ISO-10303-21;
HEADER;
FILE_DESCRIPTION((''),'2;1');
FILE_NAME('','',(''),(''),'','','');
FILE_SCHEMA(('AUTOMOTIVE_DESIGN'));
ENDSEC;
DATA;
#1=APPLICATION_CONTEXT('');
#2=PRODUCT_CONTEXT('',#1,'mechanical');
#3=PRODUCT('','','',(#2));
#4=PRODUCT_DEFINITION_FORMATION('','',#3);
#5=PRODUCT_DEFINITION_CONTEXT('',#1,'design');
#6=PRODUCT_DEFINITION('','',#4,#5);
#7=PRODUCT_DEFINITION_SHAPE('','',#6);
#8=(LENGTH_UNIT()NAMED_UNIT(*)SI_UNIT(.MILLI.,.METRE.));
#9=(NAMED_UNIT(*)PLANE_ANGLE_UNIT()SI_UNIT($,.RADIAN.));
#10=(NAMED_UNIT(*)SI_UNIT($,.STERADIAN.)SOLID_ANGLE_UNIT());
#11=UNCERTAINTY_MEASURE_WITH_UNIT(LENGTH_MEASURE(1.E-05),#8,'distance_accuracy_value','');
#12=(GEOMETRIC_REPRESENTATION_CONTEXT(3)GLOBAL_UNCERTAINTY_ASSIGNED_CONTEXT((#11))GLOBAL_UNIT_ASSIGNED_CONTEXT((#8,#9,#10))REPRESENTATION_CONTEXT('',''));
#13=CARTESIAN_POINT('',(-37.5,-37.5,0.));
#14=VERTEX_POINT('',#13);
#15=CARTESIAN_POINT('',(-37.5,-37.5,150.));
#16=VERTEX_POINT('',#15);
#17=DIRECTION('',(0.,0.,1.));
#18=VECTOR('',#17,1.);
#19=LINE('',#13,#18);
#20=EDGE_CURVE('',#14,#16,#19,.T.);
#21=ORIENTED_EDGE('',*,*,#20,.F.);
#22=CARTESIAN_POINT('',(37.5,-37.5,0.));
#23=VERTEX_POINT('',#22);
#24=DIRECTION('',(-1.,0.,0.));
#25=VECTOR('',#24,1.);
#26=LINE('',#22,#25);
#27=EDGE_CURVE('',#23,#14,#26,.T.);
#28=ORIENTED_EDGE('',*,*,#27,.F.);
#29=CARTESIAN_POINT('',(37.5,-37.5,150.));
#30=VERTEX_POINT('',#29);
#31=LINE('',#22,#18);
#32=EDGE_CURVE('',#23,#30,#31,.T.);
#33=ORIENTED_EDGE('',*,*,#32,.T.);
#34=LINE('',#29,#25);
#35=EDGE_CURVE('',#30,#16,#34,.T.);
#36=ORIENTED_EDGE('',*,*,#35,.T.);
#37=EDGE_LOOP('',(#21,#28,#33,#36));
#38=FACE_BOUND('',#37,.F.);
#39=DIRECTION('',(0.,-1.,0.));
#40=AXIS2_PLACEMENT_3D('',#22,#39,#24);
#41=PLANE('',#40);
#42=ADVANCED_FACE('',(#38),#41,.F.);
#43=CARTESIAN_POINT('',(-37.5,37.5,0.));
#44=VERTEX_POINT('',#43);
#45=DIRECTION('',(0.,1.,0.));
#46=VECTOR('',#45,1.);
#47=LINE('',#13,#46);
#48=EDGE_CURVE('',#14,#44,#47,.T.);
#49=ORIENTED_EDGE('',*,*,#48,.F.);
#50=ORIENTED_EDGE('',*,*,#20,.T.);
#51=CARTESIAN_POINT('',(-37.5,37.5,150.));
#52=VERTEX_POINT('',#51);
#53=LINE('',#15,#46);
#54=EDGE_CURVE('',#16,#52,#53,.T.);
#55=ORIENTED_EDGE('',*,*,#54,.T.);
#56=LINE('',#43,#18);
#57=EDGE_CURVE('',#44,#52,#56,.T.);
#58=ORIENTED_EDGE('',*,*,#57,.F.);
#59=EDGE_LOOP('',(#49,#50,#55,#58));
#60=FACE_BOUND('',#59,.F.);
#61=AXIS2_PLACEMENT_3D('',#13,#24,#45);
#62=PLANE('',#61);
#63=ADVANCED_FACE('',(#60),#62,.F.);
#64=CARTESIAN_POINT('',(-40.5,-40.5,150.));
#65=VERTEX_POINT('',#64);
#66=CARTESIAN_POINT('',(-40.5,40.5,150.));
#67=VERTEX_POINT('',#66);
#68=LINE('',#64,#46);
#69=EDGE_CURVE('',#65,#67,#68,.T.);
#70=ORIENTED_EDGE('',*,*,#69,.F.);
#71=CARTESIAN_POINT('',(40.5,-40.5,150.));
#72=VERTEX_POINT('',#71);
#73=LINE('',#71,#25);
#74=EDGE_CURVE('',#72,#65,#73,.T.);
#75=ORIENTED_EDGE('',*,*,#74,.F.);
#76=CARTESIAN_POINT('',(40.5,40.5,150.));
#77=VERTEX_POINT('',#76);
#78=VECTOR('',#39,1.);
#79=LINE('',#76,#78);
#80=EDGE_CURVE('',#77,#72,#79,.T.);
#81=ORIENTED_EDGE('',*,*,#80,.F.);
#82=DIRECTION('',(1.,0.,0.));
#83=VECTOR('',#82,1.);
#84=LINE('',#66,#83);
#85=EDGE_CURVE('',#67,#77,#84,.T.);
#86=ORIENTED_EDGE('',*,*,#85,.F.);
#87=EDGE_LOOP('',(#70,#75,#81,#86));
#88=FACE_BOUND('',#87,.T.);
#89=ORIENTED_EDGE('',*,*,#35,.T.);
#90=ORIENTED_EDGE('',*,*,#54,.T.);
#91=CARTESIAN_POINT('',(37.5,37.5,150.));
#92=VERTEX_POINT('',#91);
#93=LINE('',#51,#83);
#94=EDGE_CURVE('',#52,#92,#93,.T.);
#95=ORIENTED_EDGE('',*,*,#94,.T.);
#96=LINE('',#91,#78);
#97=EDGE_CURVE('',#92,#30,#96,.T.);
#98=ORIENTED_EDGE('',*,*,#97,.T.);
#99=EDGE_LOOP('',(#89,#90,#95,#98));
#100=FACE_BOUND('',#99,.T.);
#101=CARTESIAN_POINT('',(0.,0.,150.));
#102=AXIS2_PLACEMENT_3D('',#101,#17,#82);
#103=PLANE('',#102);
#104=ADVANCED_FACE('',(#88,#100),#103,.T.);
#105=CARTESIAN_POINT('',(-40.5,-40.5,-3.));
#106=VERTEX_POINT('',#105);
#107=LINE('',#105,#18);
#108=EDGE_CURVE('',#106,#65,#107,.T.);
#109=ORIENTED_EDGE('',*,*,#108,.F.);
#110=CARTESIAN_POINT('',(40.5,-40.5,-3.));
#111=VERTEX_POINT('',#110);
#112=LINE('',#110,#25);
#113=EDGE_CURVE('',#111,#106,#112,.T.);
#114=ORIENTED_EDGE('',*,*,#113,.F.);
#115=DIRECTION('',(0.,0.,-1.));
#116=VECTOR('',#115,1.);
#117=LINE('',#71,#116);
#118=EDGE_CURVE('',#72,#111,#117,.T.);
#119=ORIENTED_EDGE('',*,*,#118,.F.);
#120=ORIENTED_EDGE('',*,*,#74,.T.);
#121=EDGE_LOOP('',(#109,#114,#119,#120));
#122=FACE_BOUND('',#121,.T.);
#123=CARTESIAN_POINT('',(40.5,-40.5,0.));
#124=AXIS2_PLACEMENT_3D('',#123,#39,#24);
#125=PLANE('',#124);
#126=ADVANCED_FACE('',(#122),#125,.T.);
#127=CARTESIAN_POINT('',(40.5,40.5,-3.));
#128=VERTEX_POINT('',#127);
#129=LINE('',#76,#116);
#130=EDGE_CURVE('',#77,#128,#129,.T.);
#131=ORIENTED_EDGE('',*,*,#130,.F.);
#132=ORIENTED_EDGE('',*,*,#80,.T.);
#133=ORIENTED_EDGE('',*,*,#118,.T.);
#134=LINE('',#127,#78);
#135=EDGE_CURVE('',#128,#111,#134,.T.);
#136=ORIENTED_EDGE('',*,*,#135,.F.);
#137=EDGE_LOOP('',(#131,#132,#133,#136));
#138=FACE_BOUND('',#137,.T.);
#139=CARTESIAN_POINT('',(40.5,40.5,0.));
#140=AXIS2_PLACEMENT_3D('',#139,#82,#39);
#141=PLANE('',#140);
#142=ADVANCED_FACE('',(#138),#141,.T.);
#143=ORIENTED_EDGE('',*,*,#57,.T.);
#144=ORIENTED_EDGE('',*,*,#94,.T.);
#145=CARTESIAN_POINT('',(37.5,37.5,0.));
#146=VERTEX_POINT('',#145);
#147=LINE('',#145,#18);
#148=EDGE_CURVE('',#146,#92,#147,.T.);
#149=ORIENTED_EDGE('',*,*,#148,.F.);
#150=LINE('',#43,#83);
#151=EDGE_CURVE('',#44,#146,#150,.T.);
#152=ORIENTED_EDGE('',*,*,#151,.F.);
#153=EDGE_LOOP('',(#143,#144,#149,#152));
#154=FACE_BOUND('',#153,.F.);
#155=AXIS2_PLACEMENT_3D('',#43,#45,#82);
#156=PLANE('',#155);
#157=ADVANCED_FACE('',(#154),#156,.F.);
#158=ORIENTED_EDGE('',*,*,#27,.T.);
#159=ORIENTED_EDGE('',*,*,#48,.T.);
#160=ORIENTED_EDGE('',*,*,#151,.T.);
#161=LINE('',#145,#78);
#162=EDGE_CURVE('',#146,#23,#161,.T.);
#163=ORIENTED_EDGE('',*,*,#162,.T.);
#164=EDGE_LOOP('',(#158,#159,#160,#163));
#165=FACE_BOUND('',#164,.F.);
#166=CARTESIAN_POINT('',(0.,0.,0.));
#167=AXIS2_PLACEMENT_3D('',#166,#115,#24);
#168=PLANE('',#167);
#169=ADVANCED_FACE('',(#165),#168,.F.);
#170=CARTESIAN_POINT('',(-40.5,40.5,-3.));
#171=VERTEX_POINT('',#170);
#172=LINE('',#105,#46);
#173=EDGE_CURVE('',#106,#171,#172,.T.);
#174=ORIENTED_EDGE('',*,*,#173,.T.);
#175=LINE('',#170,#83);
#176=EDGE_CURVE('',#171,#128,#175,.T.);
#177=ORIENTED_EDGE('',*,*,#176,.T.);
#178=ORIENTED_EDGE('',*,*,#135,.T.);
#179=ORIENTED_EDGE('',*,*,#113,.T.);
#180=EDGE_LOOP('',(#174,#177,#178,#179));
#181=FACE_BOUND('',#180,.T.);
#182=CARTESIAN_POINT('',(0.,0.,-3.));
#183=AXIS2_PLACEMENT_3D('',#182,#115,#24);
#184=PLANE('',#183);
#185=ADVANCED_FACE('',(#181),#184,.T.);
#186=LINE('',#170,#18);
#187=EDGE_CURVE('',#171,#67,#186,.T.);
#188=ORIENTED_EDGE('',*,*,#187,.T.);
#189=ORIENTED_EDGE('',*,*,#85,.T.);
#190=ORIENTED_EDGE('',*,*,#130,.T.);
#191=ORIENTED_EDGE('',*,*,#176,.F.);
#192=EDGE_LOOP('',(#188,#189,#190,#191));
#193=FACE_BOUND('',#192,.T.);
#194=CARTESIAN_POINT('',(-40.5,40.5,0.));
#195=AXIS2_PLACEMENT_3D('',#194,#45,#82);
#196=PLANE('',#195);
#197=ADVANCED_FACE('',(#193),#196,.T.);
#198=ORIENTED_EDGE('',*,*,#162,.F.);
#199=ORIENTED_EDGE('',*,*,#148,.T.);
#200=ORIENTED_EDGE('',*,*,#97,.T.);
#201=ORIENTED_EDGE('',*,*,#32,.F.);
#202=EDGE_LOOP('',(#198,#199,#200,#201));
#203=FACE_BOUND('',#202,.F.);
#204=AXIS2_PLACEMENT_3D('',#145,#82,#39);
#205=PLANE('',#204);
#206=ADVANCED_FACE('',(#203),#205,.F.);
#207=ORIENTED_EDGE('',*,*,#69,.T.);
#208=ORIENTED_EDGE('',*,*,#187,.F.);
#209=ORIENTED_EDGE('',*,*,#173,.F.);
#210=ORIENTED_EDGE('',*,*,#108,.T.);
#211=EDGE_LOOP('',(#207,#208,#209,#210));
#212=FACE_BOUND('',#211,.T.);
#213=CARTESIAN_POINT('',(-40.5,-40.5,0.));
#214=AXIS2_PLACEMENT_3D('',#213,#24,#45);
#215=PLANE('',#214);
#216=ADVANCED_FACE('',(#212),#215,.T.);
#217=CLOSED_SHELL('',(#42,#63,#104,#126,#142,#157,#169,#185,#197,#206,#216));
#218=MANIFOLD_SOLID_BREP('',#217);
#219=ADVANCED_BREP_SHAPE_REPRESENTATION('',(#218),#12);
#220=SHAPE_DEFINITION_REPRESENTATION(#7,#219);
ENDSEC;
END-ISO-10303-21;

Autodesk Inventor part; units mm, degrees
ref_plane "YZ Plane" through (0, 0, 0) normal (1, 0, 0) x (0, 1, 0)
ref_plane "XZ Plane" through (0, 0, 0) normal (0, 1, 0) x (-1, 0, 0)
ref_plane "XY Plane" through (0, 0, 0) normal (0, 0, 1) x (1, 0, 0)
sketch "Sketch1" plane through (0, 0, 0) normal (0, 0, 1) x (1, 0, 0)
  line L0 (0, 56.7) -> (0, -56.7) construction
  line L1 (-56.7, 0) -> (56.7, 0) construction
  line L2 (-37.5, 37.5) -> (37.5, 37.5)
  line L3 (37.5, 37.5) -> (37.5, -37.5)
  line L4 (37.5, -37.5) -> (-37.5, -37.5)
  line L5 (-37.5, -37.5) -> (-37.5, 37.5)
  line L6 (-40.5, 40.5) -> (40.5, 40.5)
  line L7 (40.5, 40.5) -> (40.5, -40.5)
  line L8 (40.5, -40.5) -> (-40.5, -40.5)
  line L9 (-40.5, -40.5) -> (-40.5, 40.5)
  point P0 (0, 0)
  dimension "d0" = 75
  dimension "d1" = 75
  dimension "d2" = 3
  dimension "d3" = 3
  dimension "d4" = 3
  dimension "d5" = 3
extrude "Extrusion1" add sketch "Sketch1" along normal blind 150
sketch "Sketch2" plane through (0, 0, 0) normal (0, 0, -1) x (-1, 0, 0)
  line L0 (-40.5, -40.5) -> (40.5, -40.5) projected
  line L1 (40.5, -40.5) -> (40.5, 40.5) projected
  line L2 (40.5, 40.5) -> (-40.5, 40.5) projected
  line L3 (-40.5, 40.5) -> (-40.5, -40.5) projected
  point P0 (0, 0)
extrude "Extrusion2" add sketch "Sketch2" along normal blind 3
properties part number "Cuvette_75x75x150" material "Glass"
